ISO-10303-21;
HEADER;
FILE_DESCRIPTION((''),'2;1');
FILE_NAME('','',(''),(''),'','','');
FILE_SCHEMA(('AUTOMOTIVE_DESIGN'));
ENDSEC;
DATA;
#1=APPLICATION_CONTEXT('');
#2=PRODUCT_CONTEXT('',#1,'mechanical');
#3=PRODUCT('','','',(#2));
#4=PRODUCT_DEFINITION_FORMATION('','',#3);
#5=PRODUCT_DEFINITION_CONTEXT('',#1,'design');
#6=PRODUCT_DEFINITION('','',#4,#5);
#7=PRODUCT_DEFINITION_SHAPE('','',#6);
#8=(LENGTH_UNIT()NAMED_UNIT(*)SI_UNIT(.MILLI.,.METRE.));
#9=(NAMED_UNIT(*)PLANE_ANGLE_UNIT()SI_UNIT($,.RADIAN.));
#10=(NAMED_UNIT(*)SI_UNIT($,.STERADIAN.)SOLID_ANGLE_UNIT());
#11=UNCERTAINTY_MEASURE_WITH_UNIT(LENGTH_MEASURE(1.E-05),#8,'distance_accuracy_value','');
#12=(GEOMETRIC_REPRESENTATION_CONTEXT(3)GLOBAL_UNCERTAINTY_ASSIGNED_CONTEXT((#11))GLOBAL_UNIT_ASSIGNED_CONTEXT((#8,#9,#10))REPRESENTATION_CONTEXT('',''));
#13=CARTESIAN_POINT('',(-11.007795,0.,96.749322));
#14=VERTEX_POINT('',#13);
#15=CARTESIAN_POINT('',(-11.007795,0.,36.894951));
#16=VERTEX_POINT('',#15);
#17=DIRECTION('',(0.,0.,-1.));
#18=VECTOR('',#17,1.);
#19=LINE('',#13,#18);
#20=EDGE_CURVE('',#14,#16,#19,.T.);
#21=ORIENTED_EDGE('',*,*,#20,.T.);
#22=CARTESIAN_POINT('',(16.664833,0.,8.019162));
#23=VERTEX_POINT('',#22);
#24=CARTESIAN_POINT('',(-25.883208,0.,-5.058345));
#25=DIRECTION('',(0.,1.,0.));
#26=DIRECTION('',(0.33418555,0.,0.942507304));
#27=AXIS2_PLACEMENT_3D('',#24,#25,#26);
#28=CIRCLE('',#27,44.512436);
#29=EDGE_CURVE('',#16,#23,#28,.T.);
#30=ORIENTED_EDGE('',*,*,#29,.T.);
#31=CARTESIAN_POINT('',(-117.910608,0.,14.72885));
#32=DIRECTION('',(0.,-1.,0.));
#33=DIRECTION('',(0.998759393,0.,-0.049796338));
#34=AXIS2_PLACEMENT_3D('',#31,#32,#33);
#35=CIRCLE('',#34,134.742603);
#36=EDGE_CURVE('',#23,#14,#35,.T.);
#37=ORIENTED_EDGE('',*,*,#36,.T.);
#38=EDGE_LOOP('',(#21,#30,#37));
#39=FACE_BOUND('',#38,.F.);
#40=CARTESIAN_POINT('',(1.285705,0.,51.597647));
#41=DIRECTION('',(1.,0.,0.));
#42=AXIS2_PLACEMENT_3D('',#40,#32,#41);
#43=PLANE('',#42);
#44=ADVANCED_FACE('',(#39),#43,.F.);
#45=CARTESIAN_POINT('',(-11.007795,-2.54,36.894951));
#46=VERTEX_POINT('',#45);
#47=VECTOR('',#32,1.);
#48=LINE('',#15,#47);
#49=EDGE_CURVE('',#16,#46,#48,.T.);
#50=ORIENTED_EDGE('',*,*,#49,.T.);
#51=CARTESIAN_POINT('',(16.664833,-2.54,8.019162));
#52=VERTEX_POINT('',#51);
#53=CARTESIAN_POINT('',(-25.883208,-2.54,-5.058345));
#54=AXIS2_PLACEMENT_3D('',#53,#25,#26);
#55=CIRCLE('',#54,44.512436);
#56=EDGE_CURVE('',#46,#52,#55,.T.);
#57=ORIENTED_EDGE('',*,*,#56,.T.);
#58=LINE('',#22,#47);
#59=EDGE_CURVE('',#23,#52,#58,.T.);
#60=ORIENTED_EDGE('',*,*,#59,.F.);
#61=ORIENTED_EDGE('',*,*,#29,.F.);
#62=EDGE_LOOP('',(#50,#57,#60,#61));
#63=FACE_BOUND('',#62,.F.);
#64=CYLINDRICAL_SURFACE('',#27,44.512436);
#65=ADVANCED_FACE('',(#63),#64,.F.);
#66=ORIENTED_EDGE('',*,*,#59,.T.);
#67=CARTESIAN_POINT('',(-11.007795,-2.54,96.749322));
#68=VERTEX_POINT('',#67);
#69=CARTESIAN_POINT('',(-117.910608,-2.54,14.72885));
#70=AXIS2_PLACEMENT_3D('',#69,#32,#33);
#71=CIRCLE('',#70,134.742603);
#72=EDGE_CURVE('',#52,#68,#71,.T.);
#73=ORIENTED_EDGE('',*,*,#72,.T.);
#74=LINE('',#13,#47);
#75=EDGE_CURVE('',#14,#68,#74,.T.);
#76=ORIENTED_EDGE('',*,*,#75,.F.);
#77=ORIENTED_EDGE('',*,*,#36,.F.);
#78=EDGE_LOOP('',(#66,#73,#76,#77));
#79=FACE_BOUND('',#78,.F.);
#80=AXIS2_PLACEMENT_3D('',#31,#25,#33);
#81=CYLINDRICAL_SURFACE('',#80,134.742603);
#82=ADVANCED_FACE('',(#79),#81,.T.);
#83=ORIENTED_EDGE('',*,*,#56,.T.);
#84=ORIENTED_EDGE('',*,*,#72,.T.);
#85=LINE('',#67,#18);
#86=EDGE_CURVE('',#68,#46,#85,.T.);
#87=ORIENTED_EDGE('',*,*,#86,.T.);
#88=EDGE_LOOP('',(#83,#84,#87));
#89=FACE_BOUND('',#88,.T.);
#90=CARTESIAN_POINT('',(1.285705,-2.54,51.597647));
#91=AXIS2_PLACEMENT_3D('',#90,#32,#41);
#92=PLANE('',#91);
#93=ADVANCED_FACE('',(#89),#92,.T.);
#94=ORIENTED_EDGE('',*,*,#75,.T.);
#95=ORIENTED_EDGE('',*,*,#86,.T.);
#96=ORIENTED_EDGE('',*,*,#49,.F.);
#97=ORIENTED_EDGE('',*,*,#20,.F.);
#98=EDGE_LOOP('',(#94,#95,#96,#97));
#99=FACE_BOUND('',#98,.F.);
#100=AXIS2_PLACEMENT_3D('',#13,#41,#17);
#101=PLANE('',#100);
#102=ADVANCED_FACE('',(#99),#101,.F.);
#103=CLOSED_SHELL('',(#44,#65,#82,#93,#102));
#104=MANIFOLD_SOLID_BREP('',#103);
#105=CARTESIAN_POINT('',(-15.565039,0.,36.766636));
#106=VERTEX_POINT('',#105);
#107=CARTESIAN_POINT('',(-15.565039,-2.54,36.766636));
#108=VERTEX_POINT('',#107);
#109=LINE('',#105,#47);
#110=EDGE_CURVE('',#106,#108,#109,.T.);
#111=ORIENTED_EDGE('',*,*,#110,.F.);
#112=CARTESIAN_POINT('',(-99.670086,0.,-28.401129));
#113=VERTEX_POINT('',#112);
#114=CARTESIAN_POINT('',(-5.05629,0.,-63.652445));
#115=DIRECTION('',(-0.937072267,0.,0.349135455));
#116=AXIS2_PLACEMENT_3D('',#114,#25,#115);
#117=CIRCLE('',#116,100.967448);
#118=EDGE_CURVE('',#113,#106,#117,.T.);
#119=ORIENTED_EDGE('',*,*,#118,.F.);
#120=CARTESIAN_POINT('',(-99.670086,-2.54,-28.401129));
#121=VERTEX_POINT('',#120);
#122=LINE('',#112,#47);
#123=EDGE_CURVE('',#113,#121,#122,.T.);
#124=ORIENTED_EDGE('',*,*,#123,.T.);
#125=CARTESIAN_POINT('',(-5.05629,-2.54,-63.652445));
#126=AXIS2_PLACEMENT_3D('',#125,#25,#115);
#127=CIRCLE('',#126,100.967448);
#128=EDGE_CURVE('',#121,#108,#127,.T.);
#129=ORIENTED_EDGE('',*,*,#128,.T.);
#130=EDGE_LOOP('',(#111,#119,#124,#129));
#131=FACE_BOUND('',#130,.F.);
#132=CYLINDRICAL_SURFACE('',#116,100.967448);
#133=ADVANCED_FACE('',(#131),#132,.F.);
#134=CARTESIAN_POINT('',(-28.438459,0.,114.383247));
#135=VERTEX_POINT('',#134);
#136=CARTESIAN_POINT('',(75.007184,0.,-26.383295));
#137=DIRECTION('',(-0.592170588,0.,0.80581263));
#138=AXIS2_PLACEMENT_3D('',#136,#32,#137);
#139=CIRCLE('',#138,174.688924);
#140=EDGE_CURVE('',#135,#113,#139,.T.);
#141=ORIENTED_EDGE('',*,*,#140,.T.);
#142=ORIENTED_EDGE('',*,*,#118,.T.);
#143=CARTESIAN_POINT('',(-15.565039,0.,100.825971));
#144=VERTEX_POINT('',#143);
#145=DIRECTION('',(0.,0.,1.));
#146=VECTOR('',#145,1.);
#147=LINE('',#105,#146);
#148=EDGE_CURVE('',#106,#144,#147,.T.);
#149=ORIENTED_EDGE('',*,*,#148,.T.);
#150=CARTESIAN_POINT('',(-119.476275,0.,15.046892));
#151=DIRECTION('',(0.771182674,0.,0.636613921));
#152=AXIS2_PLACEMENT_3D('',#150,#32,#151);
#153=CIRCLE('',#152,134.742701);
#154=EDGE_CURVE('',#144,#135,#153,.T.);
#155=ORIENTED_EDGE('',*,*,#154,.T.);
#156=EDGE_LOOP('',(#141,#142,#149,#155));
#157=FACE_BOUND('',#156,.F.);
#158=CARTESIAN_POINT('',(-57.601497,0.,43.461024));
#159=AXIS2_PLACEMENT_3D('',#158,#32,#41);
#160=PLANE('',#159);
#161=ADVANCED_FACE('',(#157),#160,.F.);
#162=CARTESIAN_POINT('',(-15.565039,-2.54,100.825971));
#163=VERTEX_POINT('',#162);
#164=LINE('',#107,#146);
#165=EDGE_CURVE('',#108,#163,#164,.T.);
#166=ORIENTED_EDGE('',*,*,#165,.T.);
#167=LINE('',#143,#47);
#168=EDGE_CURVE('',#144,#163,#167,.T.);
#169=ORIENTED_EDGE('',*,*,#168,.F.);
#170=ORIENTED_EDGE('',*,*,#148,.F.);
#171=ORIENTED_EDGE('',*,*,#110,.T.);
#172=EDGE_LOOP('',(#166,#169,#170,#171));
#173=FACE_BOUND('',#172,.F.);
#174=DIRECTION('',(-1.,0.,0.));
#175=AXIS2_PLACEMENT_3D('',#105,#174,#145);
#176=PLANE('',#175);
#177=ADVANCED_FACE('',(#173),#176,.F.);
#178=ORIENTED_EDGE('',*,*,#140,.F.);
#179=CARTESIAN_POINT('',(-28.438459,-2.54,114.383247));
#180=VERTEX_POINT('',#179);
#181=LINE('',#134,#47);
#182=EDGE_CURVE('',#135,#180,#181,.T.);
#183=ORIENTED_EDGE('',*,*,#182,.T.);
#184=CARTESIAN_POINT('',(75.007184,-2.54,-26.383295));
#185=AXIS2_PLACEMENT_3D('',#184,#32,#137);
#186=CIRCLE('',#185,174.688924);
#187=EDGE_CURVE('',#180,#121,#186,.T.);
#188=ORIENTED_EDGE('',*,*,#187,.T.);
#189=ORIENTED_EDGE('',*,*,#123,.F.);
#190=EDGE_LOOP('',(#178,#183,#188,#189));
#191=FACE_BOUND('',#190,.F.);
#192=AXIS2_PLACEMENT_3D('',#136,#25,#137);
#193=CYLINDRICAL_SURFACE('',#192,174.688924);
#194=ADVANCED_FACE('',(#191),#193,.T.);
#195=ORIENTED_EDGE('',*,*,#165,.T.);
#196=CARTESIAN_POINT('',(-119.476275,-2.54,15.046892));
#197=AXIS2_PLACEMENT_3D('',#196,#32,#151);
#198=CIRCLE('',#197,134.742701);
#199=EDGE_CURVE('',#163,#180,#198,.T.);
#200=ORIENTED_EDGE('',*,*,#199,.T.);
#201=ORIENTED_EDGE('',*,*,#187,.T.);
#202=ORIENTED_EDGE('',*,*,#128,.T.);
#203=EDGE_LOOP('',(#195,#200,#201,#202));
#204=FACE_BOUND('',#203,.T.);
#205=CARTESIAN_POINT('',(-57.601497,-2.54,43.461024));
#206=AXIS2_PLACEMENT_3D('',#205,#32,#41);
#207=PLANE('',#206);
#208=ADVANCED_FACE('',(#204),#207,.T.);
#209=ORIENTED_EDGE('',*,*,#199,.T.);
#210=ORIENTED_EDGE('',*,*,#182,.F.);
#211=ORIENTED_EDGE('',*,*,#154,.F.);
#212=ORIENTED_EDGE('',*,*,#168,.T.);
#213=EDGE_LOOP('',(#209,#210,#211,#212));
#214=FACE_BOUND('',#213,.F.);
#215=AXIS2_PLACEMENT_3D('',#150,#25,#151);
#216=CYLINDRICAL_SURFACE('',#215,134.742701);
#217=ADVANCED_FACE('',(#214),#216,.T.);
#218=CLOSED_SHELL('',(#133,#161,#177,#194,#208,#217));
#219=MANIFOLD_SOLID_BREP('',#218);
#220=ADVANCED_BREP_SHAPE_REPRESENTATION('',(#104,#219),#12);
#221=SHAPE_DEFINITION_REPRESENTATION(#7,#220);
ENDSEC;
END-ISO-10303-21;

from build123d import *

# Parameters (mm, degrees)
F1_DEPTH = 2.54


with BuildPart() as f1:
    # F0 (on Front) → F1 (new body)
    with BuildSketch(Plane.XZ):
        with BuildLine():
            ThreePointArc((-15.565039, 100.825971), (-21.766331, 107.828152), (-28.438459, 114.383247))
            ThreePointArc((-28.438459, 114.383247), (-81.309588, 51.599313), (-99.670086, -28.401129))
            ThreePointArc((-99.670086, -28.401129), (-66.897997, 16.160016), (-15.565039, 36.766636))
            Line((-15.565039, 36.766636), (-15.565039, 100.825971))
        make_face()
        with BuildLine():
            ThreePointArc((-11.007795, 36.894951), (6.254248, 25.740046), (16.664833, 8.019162))
            ThreePointArc((16.664833, 8.019162), (10.721414, 54.845831), (-11.007795, 96.749322))
            Line((-11.007795, 96.749322), (-11.007795, 36.894951))
        make_face()
    extrude(amount=F1_DEPTH)


solid = f1.part
